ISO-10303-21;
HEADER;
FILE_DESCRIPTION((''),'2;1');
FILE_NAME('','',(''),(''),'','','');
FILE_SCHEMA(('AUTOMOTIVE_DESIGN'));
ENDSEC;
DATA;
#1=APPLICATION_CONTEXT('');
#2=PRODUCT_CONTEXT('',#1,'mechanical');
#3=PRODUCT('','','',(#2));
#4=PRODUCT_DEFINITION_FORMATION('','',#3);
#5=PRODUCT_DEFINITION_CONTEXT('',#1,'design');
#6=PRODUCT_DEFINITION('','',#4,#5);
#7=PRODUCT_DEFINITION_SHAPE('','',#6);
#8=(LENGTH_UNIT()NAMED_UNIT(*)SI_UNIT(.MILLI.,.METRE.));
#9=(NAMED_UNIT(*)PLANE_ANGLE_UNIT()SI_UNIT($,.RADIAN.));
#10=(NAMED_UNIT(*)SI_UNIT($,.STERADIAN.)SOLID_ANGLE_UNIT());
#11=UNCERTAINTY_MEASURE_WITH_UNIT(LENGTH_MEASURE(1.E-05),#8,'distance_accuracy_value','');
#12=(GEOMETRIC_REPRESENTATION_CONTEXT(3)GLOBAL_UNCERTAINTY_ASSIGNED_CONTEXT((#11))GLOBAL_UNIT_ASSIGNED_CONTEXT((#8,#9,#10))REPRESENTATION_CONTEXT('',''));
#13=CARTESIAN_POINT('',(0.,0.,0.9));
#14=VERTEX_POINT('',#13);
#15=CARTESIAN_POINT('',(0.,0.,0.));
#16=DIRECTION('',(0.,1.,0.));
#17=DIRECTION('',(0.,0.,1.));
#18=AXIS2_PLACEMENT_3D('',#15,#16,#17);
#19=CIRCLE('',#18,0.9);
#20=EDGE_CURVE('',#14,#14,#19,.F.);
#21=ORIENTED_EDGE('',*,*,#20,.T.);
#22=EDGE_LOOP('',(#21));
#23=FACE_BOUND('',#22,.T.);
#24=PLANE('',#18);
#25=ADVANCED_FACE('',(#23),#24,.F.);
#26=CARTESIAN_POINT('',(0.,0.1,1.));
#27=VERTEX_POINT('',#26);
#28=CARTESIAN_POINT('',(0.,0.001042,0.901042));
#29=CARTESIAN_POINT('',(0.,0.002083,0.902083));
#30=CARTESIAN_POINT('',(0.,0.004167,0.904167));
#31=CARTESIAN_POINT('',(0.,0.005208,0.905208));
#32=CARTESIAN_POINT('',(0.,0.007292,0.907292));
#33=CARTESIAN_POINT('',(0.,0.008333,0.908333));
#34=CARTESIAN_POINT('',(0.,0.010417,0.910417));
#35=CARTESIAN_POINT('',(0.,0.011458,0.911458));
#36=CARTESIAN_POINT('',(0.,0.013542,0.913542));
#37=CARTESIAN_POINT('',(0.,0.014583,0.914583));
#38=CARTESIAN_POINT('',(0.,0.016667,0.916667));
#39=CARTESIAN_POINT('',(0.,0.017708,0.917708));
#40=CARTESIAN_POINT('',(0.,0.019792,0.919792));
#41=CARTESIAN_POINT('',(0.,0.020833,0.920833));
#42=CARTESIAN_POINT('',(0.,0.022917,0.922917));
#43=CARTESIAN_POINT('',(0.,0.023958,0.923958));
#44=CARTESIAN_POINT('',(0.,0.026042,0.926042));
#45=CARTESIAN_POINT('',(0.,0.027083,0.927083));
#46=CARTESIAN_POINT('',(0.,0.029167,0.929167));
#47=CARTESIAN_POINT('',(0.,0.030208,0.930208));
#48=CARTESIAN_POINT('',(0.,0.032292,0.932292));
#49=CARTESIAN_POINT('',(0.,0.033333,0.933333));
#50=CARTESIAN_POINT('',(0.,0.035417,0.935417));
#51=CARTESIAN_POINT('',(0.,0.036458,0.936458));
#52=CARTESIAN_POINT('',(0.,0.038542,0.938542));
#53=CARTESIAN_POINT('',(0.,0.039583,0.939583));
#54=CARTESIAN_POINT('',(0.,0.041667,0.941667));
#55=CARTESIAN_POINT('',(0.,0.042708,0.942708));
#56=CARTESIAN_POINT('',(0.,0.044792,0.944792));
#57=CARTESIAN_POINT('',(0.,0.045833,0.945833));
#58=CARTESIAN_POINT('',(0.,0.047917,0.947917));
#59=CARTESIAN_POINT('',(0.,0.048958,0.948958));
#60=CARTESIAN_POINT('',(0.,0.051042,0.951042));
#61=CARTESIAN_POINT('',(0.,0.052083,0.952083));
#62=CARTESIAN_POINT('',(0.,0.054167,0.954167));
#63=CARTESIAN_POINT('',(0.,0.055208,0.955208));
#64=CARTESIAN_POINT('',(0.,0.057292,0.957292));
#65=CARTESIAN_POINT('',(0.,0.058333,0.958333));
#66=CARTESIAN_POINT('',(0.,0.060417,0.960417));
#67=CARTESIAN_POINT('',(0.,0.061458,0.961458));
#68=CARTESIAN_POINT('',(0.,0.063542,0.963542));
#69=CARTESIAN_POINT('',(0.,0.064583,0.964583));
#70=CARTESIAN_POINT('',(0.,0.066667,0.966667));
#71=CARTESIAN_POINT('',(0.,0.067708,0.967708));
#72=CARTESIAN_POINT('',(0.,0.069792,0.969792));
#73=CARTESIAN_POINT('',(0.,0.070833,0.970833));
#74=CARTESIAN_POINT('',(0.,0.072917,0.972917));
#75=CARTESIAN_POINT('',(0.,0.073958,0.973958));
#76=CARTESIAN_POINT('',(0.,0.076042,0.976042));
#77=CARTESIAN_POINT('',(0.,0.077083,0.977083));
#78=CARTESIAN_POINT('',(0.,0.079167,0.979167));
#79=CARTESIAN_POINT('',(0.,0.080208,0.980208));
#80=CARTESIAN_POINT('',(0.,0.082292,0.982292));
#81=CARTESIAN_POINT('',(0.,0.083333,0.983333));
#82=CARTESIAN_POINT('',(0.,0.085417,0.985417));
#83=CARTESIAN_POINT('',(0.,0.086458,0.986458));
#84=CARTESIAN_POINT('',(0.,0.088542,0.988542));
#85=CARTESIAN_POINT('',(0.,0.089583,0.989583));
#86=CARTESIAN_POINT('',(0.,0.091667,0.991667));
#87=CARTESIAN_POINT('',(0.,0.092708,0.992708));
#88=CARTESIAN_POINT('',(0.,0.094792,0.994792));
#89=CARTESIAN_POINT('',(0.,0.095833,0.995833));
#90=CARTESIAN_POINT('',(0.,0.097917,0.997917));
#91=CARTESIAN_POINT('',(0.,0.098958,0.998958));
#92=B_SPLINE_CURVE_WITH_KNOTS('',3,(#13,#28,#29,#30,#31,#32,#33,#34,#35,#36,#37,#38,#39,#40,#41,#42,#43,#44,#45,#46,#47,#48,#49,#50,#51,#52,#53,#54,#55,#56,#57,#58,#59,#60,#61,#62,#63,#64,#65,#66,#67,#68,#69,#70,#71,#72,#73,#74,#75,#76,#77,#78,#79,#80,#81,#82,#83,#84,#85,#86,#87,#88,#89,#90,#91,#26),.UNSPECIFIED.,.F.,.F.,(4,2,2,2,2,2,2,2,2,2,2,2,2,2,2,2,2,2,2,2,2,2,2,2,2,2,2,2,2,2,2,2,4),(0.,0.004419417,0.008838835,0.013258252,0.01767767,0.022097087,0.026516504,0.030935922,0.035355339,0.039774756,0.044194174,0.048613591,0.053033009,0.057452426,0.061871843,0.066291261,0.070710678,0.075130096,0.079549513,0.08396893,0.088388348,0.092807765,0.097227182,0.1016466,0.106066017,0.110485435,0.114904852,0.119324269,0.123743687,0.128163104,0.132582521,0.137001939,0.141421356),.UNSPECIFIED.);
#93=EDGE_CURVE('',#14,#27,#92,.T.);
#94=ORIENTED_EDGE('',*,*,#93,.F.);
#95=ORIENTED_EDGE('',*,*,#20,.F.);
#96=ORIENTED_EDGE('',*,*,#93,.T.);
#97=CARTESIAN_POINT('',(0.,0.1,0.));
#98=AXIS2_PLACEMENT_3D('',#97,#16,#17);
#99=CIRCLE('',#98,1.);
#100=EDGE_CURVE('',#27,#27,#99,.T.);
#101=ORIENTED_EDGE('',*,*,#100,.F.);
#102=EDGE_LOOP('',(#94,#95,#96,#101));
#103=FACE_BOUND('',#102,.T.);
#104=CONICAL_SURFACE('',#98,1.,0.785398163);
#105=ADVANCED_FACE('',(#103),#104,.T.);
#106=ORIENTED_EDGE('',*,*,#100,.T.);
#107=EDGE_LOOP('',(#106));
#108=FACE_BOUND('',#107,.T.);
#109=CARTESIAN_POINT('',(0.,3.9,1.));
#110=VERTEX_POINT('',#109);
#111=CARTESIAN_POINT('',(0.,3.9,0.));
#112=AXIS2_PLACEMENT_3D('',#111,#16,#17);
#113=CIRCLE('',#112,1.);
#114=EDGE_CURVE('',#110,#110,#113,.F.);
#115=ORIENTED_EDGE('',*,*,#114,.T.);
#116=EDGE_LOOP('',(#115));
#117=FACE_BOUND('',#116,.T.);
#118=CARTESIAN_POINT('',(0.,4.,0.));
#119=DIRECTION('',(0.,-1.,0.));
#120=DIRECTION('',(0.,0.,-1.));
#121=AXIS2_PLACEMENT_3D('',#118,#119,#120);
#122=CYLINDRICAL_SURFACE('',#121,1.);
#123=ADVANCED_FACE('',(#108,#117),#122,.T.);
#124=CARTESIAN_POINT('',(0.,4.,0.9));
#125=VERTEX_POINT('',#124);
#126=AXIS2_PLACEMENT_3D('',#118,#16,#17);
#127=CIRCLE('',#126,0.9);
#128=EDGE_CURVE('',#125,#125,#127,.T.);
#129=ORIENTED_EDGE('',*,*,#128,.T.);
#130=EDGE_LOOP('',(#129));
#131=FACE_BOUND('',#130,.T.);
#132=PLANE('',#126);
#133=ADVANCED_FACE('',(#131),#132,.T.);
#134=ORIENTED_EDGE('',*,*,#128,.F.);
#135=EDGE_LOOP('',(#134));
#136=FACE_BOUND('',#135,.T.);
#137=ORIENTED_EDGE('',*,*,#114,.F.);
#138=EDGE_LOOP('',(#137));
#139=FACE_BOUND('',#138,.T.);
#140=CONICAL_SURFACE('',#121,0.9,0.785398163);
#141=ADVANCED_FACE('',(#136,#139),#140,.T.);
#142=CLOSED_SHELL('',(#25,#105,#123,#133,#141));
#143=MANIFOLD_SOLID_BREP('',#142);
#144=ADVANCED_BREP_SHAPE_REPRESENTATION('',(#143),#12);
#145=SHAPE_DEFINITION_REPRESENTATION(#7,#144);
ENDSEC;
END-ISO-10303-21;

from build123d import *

# Parameters (mm, degrees)
SKETCH1_R           = 1
BOSS_EXTRUDE1_DEPTH = 4
CHAMFER1_SIZE       = 0.1


with BuildPart() as part:
    # Sketch1 → Boss-Extrude1 (new body)
    with BuildSketch(Plane(origin=(0, 0, 0), x_dir=(1, 0, 0), z_dir=(0, 1, 0))):
        with Locations(Location((0, 0, 0), (0, 0, 270))):
            Circle(SKETCH1_R)
    extrude(amount=BOSS_EXTRUDE1_DEPTH)

    # Chamfer1
    chamfer1_edges = [part.edges().sort_by_distance(p)[0] for p in [
        (0, 0, -1),
        (0, 4, -1),
    ]]
    chamfer(chamfer1_edges, length=CHAMFER1_SIZE)


solid = part.part
